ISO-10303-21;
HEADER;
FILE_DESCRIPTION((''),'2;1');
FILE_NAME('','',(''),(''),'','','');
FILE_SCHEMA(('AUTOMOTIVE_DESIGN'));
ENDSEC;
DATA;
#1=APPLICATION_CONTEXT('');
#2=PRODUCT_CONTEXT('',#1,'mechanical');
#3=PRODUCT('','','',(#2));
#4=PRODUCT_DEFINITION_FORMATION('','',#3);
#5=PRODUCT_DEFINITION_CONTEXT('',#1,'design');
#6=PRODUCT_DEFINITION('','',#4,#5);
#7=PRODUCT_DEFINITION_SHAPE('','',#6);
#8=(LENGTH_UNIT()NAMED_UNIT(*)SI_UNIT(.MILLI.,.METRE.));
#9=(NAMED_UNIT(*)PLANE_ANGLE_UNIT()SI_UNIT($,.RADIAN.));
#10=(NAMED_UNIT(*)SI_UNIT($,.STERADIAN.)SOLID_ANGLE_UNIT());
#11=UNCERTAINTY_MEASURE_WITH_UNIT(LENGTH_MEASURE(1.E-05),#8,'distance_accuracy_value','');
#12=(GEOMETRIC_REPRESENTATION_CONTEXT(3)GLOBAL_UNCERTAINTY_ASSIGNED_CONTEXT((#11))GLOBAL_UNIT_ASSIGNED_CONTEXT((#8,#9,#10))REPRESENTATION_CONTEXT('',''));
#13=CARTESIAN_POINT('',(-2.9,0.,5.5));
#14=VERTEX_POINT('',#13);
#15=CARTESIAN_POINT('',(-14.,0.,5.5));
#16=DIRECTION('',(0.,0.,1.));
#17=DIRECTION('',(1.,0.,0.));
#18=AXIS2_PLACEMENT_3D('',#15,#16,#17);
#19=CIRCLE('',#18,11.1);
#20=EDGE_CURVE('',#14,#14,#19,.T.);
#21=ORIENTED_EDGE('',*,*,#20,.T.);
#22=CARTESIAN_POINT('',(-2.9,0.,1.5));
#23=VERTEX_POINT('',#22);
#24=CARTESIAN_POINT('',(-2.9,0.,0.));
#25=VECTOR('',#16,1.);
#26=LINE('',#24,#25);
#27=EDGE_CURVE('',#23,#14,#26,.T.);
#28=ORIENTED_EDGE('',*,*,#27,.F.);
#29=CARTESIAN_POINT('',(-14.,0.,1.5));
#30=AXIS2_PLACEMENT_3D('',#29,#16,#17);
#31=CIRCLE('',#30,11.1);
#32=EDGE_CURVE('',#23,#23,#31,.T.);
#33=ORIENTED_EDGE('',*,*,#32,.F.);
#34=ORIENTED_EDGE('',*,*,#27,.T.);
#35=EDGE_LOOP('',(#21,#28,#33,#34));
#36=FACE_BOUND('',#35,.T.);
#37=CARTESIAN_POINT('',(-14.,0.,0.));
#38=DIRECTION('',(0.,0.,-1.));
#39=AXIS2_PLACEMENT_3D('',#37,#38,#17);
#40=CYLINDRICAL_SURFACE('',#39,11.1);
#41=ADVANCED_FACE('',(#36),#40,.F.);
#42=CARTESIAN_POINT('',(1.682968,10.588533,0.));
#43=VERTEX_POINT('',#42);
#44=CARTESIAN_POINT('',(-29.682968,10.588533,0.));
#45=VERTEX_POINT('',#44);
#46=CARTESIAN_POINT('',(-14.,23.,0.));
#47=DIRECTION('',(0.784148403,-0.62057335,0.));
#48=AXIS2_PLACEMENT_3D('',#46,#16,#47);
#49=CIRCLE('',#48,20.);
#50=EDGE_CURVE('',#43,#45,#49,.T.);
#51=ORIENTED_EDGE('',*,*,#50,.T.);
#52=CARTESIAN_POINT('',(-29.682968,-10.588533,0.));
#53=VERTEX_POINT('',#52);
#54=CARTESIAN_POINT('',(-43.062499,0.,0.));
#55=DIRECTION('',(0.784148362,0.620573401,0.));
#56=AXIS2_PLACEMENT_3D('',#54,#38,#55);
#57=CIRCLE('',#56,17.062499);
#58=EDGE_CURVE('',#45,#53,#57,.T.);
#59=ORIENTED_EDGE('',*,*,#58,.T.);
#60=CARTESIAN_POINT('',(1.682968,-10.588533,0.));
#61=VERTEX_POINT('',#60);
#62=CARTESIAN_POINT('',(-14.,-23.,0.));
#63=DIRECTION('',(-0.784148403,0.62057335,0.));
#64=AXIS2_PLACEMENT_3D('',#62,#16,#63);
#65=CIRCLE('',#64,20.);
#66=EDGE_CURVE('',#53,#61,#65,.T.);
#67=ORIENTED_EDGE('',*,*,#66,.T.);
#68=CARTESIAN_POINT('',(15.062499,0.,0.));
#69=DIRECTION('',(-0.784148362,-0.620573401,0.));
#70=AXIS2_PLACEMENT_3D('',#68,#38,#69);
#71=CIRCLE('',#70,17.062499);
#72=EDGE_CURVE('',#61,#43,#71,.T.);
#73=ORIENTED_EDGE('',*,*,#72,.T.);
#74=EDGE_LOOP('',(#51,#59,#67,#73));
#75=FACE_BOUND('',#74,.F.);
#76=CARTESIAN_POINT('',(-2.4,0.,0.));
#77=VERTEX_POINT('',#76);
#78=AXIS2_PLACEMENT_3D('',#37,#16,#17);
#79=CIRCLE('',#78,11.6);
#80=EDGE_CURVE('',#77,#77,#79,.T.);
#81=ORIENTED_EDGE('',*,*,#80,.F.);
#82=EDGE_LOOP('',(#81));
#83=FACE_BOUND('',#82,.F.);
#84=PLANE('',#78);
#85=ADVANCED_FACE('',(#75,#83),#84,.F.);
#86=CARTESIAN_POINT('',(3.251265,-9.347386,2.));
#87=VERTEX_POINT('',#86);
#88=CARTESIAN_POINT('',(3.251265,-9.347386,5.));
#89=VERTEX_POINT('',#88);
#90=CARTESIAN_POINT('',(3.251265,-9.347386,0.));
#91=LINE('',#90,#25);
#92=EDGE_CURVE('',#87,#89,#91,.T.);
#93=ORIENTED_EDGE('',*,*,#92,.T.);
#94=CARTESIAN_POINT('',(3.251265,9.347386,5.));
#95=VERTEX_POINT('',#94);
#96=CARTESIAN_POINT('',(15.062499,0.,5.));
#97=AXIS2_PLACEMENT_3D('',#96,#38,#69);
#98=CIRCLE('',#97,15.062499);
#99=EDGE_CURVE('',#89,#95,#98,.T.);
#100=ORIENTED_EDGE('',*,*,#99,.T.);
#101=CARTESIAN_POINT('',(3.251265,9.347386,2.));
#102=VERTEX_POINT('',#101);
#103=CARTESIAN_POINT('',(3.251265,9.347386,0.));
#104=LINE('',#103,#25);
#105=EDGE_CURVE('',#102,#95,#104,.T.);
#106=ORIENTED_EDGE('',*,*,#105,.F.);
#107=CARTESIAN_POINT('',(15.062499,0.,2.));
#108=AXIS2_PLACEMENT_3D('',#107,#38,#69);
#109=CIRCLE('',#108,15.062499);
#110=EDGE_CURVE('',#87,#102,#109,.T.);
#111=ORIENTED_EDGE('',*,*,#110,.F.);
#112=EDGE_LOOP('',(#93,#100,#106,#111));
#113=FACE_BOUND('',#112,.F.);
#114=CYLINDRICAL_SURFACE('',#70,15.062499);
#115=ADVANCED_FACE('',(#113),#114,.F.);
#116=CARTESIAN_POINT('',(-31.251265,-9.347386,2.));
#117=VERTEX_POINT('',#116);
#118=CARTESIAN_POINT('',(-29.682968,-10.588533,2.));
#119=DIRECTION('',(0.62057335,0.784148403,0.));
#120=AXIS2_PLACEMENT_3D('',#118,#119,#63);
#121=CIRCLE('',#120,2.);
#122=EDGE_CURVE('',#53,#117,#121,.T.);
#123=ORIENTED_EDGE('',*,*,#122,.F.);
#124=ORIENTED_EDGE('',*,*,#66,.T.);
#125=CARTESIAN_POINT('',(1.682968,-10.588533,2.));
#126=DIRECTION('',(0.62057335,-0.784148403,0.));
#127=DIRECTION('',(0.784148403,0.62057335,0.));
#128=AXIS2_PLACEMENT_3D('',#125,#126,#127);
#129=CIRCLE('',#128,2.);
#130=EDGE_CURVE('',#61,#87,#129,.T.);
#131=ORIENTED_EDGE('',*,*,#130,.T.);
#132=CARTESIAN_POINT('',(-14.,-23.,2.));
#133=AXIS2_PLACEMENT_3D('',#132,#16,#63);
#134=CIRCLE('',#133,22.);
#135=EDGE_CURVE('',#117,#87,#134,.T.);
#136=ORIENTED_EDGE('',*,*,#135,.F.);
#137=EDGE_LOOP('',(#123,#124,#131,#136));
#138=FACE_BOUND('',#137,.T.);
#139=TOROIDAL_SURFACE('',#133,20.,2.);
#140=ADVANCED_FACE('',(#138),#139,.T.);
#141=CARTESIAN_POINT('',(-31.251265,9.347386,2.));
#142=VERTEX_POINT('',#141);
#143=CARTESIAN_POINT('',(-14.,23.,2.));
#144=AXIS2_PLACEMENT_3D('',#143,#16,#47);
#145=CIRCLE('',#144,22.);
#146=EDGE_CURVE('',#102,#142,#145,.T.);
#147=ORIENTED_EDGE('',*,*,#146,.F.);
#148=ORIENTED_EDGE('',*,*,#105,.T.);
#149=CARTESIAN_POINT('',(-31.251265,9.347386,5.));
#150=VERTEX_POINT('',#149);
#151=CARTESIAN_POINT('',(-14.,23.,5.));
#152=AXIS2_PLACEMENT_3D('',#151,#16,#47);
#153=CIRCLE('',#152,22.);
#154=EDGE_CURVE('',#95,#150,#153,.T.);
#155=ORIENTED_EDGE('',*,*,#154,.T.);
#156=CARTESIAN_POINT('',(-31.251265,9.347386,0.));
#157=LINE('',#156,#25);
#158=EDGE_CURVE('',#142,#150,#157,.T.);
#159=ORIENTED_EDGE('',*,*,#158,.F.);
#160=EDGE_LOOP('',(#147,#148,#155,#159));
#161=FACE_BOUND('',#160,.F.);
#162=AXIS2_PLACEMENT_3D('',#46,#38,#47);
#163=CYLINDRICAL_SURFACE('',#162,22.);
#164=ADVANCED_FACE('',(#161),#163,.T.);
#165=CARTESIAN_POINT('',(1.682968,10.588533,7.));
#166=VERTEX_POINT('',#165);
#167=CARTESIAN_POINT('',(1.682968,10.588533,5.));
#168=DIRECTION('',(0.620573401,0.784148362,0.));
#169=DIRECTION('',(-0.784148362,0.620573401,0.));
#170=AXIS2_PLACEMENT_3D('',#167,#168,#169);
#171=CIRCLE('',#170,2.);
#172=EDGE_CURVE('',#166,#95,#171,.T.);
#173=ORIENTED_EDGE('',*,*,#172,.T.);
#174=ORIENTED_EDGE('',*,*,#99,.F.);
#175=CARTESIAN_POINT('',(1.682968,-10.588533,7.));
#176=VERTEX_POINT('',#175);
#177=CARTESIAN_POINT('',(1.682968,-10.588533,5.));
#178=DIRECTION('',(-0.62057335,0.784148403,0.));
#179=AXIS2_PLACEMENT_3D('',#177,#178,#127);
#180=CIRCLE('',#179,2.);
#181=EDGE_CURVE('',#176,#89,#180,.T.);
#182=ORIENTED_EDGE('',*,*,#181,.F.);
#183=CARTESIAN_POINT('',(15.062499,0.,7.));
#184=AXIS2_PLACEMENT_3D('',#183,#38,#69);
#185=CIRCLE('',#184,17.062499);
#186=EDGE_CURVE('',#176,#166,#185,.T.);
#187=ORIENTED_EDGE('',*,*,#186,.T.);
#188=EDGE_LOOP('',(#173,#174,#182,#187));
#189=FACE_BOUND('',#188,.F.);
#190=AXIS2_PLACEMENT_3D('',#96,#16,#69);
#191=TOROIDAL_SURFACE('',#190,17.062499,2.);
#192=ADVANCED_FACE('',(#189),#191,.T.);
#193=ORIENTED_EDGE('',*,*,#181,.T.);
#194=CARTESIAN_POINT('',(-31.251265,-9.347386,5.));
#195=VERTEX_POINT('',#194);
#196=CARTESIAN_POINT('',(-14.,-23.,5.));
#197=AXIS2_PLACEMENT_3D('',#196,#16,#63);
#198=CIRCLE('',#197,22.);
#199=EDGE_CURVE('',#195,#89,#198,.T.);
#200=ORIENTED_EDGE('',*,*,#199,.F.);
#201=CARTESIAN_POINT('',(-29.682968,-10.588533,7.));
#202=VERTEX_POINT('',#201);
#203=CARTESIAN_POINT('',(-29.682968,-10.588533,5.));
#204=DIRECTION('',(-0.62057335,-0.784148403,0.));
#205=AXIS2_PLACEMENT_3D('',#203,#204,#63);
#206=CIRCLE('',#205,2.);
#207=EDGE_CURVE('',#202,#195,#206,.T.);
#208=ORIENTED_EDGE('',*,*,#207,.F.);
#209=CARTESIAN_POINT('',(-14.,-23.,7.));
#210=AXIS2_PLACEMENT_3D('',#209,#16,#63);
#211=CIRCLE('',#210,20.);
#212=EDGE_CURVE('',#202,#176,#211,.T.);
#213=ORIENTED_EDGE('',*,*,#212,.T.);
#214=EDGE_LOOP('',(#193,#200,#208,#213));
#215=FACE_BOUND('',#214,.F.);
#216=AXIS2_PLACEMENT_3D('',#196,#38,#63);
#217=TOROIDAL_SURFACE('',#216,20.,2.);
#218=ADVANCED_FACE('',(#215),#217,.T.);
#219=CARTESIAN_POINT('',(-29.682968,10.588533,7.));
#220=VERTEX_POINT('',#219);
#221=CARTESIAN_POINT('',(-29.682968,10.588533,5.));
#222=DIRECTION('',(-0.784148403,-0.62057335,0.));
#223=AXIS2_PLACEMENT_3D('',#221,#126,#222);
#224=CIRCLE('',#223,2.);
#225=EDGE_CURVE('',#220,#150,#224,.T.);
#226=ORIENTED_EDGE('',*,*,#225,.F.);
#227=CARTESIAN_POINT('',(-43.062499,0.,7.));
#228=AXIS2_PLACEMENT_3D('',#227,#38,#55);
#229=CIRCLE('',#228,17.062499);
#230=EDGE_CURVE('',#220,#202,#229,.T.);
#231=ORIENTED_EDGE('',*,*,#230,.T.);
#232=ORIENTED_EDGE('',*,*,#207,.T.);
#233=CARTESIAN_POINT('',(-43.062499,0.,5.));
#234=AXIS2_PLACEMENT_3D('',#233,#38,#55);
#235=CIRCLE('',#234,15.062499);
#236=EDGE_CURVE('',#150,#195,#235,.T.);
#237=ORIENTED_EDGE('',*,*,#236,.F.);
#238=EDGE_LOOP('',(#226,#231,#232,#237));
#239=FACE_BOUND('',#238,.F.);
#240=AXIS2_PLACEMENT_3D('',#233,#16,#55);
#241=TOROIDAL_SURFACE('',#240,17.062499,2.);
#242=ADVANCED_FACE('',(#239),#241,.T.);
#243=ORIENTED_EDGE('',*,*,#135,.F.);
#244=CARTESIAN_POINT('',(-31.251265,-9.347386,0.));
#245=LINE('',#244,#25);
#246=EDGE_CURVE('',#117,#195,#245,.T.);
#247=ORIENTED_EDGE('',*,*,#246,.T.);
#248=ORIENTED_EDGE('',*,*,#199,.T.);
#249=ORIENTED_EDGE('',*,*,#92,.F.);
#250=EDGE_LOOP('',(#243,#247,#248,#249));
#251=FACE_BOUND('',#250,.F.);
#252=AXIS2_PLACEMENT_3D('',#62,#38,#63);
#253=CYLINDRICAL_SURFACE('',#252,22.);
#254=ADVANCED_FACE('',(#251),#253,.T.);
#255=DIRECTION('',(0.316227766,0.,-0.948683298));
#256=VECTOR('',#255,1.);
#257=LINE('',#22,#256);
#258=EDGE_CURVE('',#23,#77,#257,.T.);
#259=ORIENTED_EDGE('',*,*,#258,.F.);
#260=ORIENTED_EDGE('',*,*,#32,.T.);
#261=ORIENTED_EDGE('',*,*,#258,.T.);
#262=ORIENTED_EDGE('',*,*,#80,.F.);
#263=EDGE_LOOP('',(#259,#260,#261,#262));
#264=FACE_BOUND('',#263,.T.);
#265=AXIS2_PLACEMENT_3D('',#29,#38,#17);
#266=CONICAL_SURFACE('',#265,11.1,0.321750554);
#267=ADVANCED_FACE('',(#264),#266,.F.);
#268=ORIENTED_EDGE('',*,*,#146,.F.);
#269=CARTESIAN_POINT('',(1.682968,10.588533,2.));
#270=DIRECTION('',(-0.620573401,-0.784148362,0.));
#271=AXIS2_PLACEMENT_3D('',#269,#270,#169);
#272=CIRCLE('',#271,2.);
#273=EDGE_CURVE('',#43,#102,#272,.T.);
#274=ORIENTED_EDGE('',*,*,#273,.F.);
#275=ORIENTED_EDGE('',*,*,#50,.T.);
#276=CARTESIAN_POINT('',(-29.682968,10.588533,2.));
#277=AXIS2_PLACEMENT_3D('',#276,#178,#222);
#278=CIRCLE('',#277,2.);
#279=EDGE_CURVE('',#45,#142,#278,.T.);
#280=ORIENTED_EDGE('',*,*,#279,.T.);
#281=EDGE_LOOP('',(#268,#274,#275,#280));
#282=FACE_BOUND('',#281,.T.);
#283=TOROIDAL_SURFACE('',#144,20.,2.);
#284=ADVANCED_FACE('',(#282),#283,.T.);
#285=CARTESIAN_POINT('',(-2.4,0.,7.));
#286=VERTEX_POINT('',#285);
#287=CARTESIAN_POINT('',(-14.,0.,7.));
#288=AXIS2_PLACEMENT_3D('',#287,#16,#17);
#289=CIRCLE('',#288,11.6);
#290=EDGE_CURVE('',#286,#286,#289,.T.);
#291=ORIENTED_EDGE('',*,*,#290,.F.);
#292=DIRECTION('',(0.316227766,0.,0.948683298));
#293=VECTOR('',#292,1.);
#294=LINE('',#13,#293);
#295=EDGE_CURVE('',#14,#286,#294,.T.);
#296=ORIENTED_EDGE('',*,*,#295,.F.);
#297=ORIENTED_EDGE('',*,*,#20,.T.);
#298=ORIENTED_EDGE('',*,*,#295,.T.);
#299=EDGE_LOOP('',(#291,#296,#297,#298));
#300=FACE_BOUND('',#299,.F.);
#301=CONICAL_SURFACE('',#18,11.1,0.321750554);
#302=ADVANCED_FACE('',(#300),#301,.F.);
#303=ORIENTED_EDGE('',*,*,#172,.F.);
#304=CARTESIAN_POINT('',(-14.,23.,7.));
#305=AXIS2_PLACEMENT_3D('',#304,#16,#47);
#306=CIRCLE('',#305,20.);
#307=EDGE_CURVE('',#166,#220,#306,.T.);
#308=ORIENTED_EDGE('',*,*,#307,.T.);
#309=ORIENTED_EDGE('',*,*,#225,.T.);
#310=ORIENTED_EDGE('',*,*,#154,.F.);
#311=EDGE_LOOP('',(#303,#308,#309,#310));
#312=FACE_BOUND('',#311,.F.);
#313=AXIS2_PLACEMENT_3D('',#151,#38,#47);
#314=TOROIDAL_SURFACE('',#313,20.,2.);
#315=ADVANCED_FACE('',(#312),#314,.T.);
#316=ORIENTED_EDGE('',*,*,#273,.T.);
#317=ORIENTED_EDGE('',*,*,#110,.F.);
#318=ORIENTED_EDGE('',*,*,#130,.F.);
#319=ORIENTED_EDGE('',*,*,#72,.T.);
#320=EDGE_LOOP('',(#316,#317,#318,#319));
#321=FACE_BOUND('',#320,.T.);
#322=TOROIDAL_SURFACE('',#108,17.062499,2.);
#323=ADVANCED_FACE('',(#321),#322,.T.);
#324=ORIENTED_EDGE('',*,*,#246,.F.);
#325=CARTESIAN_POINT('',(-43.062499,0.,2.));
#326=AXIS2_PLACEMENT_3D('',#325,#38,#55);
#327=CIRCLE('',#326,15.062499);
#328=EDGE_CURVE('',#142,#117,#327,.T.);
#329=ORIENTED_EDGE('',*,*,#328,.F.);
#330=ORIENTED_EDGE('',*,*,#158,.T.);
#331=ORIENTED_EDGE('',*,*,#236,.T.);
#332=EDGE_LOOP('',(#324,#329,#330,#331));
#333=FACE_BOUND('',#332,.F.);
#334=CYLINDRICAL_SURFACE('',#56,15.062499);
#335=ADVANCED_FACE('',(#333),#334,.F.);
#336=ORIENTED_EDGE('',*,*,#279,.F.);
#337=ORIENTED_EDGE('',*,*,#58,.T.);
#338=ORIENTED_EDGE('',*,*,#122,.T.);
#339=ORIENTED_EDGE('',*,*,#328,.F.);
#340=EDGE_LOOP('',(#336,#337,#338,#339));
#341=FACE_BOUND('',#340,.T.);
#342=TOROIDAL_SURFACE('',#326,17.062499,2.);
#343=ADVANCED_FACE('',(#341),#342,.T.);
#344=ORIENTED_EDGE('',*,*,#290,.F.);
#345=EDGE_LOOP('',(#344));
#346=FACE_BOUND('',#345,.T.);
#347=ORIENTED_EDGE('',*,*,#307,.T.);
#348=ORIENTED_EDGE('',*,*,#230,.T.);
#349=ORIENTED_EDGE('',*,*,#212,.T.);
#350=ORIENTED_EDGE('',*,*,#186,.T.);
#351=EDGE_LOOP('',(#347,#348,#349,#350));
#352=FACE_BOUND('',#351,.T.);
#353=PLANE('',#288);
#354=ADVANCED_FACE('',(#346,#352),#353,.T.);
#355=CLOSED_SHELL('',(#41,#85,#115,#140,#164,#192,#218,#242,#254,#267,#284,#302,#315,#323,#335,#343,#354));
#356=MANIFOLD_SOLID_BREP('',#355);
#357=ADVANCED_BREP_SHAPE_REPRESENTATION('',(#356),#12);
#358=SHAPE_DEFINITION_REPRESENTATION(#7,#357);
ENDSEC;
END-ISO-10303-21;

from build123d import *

# Parameters (mm, degrees)
F0_R     = 11.1
F1_DEPTH = 7
F2_SIZE2 = 0.5
F2_SIZE  = 1.5
F3_R     = 2


with BuildPart() as f1:
    # F0 (on Top) → F1 (new body)
    with BuildSketch(Plane.XY):
        with BuildLine():
            ThreePointArc((-31.251265, 9.347386), (-28, 0), (-31.251265, -9.347386))
            ThreePointArc((-31.251265, -9.347386), (-14, -45), (3.251265, -9.347386))
            ThreePointArc((3.251265, -9.347386), (0, 0), (3.251265, 9.347386))
            ThreePointArc((3.251265, 9.347386), (-14, 45), (-31.251265, 9.347386))
        make_face()
        with Locations((-14, 0)):
            Circle(F0_R, mode=Mode.SUBTRACT)
    extrude(amount=F1_DEPTH)

    # F2
    f2_edges = [f1.edges().sort_by_distance(p)[0] for p in [
        (-25.1, 0, 7),
        (-25.1, 0, 0),
    ]]
    chamfer(f2_edges, length=F2_SIZE, length2=F2_SIZE2)

    # F3
    f3_edges = [f1.edges().sort_by_distance(p)[0] for p in [
        (-14, -45, 7),
        (-14, -45, 0),
    ]]
    fillet(f3_edges, radius=F3_R)


solid = f1.part
